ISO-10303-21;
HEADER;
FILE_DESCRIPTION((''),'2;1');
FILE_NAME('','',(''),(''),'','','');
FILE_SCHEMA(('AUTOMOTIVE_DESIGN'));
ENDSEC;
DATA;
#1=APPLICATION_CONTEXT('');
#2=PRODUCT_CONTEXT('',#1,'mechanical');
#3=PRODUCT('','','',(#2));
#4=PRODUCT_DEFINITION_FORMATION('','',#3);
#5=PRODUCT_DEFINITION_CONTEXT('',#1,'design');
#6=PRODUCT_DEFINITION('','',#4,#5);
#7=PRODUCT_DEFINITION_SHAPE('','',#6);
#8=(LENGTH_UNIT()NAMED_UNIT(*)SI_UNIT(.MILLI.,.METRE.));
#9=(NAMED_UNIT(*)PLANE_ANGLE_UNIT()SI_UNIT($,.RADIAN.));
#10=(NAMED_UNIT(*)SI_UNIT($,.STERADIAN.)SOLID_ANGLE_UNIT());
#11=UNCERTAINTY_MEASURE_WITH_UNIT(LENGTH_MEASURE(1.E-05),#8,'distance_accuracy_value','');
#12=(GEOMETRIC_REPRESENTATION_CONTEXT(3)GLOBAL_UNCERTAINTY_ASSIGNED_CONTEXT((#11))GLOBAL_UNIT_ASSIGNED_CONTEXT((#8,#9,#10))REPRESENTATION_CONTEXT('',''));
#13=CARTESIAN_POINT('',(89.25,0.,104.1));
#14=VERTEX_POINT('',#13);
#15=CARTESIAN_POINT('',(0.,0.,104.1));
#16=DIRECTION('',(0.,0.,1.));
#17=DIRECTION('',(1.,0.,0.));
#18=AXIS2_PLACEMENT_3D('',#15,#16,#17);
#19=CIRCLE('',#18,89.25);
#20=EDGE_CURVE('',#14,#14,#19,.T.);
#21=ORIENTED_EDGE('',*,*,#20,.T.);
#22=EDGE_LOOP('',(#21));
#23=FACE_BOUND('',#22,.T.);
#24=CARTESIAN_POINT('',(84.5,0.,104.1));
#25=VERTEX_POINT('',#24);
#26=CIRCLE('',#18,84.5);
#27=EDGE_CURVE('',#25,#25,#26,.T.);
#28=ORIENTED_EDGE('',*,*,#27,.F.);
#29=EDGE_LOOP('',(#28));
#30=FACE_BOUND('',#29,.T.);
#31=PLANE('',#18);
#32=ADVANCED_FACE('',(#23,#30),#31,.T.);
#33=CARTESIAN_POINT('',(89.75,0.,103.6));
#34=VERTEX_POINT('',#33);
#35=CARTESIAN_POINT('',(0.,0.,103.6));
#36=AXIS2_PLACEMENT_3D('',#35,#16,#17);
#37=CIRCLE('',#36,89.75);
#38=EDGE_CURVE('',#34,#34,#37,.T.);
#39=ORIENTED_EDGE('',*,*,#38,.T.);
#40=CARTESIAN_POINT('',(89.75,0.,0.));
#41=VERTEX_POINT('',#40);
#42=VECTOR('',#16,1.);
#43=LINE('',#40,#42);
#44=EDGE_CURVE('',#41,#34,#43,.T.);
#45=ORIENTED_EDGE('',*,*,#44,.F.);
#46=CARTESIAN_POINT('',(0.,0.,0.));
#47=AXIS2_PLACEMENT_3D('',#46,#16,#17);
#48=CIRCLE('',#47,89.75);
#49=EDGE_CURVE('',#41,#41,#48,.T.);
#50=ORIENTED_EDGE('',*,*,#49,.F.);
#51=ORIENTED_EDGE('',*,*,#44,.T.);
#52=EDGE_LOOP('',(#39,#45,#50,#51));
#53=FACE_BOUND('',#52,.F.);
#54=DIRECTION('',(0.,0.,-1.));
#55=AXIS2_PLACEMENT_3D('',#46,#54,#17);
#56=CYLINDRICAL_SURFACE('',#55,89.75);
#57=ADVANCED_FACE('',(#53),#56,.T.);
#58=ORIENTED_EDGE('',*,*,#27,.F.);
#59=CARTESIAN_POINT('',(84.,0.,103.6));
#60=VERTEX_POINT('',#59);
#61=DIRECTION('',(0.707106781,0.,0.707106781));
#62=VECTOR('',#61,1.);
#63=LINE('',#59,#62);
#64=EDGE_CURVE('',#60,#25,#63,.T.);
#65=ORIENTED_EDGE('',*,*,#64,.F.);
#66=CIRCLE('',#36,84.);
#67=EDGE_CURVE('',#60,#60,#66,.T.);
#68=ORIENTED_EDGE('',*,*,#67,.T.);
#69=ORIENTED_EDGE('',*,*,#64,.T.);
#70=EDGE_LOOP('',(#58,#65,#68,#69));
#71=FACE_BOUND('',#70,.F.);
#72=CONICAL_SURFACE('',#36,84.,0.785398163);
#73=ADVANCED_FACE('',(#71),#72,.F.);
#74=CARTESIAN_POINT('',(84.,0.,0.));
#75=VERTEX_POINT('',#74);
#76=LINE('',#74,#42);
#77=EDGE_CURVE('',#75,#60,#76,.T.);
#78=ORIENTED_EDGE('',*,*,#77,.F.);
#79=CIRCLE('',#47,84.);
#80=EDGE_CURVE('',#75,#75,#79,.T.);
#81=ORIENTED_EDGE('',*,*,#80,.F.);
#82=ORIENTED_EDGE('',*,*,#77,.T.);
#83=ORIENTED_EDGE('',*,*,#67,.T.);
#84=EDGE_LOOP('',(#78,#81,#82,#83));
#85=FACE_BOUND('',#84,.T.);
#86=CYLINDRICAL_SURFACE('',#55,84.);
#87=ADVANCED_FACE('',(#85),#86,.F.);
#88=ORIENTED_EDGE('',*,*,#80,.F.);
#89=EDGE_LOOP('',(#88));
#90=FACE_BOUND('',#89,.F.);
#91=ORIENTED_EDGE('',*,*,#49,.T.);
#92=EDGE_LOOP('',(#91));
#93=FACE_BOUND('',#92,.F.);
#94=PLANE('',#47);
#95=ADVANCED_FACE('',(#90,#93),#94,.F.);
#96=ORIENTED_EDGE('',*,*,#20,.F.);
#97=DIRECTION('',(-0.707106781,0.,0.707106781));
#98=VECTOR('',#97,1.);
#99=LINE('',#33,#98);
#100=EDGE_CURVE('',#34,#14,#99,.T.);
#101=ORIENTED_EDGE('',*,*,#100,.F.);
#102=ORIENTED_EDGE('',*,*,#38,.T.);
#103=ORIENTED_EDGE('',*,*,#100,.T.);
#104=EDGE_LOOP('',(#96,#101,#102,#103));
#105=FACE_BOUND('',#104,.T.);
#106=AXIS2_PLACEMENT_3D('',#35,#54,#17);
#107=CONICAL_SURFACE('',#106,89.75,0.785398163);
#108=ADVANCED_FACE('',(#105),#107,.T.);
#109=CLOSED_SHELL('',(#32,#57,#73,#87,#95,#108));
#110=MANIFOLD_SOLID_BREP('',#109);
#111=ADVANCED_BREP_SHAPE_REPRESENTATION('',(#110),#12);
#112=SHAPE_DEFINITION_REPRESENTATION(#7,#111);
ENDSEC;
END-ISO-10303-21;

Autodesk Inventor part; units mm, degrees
ref_plane "YZ Plane" through (0, 0, 0) normal (1, 0, 0) x (0, 1, 0)
ref_plane "XZ Plane" through (0, 0, 0) normal (0, 1, 0) x (-1, 0, 0)
ref_plane "XY Plane" through (0, 0, 0) normal (0, 0, 1) x (1, 0, 0)
sketch "Sketch Metal Ring Profile" plane through (0, 0, 0) normal (0, 0, 1) x (1, 0, 0)
  circle A0 centre (0, 0) radius 89.75
  circle A1 centre (0, 0) radius 84
  dimension "d0" = 179.5
  dimension "d1" = 5.75
extrude "Make Metal Ring by Extrusion of Its Profile" add sketch "Sketch Metal Ring Profile" along normal blind 104.1
chamfer "Chamfer1" distance 0.5 angle 45 2 edges at (-84, 0, 104.1) (-89.75, 0, 104.1)
equation "\"d0\" = PrototypeStatorMetalRingOuterDiameter"
equation "\"d1\" = PrototypeStatorMetalRingThickness"
equation "\"d2\" = PrototypeStatorMetalRingHeight"
equation "\"PrototypeStatorMetalRingOuterDiameter\" = 179.5"
equation "\"PrototypeStatorMetalRingThickness\" = 5.75"
equation "\"PrototypeStatorMetalRingHeight\" = 104.1"
properties part number "Stator Metal Ring" material "Steel, Wrought"
